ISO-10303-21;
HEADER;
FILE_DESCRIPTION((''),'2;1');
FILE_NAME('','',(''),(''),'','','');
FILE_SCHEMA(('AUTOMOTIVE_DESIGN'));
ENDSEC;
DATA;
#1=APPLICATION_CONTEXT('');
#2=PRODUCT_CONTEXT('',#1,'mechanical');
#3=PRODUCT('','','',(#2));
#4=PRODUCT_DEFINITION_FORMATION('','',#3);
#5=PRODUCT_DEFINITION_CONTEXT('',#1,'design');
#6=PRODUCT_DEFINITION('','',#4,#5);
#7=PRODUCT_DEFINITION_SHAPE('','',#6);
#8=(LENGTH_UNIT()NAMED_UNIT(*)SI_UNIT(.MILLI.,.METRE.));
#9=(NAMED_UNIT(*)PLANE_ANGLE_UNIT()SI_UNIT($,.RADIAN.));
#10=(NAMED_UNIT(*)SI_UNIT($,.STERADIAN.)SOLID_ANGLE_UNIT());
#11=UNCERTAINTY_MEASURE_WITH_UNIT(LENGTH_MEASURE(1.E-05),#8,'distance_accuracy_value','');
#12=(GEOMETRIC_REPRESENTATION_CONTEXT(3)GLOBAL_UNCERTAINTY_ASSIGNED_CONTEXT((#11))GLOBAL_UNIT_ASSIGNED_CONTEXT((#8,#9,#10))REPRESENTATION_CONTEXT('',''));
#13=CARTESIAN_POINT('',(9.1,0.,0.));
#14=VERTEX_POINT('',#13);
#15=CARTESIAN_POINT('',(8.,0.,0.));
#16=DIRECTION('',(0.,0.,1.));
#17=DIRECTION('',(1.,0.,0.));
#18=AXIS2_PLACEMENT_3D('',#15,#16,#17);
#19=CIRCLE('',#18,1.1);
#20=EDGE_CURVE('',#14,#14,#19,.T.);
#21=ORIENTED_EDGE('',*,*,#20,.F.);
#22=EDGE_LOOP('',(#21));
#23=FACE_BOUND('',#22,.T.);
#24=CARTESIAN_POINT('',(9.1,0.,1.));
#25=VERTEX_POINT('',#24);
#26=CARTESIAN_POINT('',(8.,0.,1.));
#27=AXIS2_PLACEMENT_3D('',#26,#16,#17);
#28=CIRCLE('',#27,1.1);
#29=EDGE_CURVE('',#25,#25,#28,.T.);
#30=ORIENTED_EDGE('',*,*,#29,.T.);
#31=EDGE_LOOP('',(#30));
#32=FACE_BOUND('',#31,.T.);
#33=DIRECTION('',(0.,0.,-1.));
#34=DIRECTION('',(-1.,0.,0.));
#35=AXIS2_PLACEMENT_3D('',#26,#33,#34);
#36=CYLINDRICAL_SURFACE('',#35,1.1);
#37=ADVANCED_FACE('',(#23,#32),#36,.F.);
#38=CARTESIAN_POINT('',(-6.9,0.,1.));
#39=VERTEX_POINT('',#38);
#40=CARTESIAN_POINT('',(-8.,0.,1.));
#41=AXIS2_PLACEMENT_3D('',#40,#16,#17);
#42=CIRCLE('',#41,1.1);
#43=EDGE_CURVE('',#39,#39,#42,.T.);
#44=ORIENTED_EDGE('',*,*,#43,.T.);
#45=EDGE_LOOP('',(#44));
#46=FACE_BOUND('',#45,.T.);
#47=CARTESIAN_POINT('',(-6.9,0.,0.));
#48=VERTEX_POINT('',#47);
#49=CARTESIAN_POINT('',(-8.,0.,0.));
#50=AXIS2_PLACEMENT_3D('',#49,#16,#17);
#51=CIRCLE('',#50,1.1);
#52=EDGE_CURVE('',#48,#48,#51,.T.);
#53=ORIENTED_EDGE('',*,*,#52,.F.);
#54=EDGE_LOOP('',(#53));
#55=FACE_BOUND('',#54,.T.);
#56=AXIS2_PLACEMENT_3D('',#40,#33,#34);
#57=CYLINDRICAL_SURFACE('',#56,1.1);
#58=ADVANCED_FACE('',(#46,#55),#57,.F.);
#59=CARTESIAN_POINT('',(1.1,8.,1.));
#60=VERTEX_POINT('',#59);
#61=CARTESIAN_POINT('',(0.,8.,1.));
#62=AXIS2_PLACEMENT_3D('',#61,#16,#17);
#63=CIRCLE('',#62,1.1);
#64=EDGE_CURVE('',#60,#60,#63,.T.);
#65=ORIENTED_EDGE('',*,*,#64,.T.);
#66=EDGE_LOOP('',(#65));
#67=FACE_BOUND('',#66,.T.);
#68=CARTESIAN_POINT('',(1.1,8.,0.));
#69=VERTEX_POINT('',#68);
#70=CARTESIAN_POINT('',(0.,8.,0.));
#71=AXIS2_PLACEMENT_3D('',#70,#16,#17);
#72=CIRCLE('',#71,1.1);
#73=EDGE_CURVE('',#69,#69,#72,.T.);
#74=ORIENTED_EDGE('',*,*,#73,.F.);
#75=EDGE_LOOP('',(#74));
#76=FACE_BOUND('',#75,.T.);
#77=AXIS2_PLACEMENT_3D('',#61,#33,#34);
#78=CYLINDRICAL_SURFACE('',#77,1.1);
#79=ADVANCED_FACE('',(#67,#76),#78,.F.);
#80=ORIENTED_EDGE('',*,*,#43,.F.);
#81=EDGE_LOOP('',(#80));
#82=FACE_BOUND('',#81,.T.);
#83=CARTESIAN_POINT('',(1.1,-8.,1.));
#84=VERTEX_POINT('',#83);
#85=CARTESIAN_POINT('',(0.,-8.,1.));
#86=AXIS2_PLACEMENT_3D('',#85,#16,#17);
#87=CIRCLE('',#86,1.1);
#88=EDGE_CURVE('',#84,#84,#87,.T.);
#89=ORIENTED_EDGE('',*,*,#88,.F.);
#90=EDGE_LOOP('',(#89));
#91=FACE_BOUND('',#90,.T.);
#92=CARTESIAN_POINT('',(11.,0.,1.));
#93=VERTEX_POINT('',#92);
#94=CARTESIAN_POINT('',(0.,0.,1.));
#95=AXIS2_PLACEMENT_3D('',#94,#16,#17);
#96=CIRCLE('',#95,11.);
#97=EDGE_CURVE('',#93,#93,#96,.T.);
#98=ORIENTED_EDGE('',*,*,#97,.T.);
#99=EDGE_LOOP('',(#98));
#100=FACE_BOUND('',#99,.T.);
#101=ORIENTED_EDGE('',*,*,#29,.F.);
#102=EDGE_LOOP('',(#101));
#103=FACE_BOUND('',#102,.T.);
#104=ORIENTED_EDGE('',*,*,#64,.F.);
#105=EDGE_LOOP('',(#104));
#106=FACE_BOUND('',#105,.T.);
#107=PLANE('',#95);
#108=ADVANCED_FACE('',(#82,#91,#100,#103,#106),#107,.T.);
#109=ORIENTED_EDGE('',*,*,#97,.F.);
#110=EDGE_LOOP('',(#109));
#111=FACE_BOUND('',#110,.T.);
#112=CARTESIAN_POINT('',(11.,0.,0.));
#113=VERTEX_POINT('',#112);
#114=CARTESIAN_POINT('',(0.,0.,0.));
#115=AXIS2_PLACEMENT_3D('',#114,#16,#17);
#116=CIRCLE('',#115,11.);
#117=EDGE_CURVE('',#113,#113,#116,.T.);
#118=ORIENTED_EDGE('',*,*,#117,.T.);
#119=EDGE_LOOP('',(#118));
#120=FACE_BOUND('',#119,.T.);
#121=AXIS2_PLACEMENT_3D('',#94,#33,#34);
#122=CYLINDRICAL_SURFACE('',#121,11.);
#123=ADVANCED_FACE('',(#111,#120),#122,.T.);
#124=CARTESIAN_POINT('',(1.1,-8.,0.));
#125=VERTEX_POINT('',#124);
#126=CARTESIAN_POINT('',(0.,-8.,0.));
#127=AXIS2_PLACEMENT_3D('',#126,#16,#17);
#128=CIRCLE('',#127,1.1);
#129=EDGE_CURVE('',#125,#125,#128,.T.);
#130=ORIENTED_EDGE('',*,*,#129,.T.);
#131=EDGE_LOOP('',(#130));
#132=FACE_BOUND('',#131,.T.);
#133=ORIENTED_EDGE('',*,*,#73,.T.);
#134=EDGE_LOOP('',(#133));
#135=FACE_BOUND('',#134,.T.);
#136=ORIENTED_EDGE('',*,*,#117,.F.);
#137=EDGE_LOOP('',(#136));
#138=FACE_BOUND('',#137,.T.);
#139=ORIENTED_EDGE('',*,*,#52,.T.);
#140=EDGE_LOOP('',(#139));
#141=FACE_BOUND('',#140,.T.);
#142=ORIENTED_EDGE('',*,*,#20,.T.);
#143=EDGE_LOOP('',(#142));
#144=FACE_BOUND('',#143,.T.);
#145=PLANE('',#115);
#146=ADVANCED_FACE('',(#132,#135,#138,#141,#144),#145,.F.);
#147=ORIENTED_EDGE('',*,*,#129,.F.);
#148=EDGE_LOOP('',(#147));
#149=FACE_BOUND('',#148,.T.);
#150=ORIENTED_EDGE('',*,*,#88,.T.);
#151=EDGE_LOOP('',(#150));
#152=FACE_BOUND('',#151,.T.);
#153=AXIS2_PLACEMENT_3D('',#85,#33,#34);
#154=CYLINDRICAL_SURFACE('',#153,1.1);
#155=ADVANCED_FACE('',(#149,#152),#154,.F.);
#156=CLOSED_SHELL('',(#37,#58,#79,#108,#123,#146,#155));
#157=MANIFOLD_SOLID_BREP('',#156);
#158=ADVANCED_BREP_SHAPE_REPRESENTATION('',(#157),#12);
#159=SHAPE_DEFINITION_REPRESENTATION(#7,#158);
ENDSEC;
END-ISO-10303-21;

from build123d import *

# Parameters (mm, degrees)
CROQUIS2_R              = 11
CROQUIS2_R_2            = 1.1
SALIENTE_EXTRUIR1_DEPTH = 1


with BuildPart() as part:
    # Croquis2 → Saliente-Extruir1 (new body)
    with BuildSketch(Plane.XY):
        Circle(CROQUIS2_R)
        with Locations((0, 8)):
            Circle(CROQUIS2_R_2, mode=Mode.SUBTRACT)
        with Locations((8, 0)):
            Circle(CROQUIS2_R_2, mode=Mode.SUBTRACT)
        with Locations((0, -8)):
            Circle(CROQUIS2_R_2, mode=Mode.SUBTRACT)
        with Locations((-8, 0)):
            Circle(CROQUIS2_R_2, mode=Mode.SUBTRACT)
    extrude(amount=SALIENTE_EXTRUIR1_DEPTH)


solid = part.part
